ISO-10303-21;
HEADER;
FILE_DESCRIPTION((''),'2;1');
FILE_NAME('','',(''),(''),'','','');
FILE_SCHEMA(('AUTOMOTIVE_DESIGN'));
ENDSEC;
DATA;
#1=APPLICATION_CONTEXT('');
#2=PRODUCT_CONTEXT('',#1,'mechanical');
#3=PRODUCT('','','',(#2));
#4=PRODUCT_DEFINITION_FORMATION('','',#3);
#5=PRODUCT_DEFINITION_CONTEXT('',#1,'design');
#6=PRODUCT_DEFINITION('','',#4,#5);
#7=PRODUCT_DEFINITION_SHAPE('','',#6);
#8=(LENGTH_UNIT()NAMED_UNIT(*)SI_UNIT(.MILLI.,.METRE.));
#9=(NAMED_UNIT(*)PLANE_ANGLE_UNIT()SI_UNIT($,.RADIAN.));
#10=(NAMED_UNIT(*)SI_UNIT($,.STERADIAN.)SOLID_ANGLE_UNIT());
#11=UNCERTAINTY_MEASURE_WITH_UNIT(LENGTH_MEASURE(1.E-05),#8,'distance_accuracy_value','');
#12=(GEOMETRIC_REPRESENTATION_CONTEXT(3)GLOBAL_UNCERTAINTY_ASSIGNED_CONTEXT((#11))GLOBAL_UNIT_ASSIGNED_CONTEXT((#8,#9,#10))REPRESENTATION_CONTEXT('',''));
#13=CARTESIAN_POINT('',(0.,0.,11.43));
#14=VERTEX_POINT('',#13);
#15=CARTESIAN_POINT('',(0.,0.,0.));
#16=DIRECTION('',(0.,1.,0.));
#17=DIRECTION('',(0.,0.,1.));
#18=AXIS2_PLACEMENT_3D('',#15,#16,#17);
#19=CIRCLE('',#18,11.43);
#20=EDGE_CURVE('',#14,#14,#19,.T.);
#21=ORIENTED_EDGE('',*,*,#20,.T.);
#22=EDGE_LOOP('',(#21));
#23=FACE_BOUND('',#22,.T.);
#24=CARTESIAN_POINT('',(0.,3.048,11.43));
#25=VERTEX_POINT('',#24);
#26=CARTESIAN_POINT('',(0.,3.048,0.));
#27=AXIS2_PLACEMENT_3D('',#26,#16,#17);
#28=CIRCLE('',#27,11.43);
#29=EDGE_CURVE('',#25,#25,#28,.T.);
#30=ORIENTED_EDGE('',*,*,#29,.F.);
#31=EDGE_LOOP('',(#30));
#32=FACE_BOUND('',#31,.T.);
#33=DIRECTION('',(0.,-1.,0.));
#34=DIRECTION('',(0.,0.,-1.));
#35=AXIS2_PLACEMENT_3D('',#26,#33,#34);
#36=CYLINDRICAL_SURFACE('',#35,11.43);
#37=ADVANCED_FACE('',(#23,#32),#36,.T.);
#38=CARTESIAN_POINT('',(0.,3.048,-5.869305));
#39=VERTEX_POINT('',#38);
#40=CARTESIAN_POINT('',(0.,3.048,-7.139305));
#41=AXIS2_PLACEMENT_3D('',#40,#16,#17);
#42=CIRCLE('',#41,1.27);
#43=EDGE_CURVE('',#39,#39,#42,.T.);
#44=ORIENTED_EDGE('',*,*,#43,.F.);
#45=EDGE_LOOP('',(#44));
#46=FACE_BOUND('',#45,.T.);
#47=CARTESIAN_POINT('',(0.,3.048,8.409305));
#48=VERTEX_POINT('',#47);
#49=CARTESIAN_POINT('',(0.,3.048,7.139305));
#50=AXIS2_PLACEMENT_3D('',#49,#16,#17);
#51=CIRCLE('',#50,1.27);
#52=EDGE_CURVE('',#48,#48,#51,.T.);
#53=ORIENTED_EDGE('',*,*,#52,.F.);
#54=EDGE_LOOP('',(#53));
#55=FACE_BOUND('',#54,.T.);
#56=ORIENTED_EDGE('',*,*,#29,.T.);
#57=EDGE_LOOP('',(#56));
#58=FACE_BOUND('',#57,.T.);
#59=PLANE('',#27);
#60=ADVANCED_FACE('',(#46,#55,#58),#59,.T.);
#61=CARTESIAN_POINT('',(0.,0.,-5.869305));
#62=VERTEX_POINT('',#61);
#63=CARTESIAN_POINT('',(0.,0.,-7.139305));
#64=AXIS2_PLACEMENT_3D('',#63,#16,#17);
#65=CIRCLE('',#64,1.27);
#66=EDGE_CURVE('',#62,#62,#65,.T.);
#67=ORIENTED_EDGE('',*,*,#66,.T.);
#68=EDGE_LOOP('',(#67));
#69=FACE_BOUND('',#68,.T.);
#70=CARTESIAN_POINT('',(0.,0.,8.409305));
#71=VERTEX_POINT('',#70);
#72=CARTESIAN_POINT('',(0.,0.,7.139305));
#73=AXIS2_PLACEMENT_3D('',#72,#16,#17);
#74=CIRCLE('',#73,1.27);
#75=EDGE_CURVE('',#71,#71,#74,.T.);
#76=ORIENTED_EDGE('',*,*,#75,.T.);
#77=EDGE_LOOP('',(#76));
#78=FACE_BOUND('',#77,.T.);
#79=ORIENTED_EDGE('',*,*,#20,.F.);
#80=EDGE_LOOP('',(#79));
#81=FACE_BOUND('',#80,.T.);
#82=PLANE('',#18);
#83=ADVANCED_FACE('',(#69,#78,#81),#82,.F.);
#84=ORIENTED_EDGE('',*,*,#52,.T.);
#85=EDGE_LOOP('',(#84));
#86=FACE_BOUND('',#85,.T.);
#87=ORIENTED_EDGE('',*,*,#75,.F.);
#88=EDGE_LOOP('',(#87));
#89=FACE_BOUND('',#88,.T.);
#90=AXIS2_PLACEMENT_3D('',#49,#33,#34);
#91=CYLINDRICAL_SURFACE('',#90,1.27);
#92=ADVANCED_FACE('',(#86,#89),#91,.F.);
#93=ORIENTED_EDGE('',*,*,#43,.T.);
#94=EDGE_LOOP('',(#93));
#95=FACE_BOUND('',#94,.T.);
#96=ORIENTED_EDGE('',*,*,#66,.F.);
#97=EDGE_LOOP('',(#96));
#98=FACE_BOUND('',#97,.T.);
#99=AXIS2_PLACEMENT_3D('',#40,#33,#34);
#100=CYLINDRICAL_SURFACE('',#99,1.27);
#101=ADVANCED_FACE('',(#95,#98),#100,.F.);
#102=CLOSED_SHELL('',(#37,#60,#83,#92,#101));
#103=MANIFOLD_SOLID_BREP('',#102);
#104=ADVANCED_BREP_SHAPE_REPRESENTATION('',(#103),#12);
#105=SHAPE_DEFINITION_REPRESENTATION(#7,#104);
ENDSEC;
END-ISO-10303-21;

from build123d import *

# Parameters (mm, degrees)
SKETCH1_R           = 11.43
SKETCH1_R_2         = 1.27
BOSS_EXTRUDE1_DEPTH = 3.048


with BuildPart() as part:
    # Sketch1 → Boss-Extrude1 (new body)
    with BuildSketch(Plane(origin=(0, 0, 0), x_dir=(1, 0, 0), z_dir=(0, 1, 0))):
        Circle(SKETCH1_R)
        with Locations((0, 7.139305)):
            Circle(SKETCH1_R_2, mode=Mode.SUBTRACT)
        with Locations((0, -7.139305)):
            Circle(SKETCH1_R_2, mode=Mode.SUBTRACT)
    extrude(amount=BOSS_EXTRUDE1_DEPTH)


solid = part.part
